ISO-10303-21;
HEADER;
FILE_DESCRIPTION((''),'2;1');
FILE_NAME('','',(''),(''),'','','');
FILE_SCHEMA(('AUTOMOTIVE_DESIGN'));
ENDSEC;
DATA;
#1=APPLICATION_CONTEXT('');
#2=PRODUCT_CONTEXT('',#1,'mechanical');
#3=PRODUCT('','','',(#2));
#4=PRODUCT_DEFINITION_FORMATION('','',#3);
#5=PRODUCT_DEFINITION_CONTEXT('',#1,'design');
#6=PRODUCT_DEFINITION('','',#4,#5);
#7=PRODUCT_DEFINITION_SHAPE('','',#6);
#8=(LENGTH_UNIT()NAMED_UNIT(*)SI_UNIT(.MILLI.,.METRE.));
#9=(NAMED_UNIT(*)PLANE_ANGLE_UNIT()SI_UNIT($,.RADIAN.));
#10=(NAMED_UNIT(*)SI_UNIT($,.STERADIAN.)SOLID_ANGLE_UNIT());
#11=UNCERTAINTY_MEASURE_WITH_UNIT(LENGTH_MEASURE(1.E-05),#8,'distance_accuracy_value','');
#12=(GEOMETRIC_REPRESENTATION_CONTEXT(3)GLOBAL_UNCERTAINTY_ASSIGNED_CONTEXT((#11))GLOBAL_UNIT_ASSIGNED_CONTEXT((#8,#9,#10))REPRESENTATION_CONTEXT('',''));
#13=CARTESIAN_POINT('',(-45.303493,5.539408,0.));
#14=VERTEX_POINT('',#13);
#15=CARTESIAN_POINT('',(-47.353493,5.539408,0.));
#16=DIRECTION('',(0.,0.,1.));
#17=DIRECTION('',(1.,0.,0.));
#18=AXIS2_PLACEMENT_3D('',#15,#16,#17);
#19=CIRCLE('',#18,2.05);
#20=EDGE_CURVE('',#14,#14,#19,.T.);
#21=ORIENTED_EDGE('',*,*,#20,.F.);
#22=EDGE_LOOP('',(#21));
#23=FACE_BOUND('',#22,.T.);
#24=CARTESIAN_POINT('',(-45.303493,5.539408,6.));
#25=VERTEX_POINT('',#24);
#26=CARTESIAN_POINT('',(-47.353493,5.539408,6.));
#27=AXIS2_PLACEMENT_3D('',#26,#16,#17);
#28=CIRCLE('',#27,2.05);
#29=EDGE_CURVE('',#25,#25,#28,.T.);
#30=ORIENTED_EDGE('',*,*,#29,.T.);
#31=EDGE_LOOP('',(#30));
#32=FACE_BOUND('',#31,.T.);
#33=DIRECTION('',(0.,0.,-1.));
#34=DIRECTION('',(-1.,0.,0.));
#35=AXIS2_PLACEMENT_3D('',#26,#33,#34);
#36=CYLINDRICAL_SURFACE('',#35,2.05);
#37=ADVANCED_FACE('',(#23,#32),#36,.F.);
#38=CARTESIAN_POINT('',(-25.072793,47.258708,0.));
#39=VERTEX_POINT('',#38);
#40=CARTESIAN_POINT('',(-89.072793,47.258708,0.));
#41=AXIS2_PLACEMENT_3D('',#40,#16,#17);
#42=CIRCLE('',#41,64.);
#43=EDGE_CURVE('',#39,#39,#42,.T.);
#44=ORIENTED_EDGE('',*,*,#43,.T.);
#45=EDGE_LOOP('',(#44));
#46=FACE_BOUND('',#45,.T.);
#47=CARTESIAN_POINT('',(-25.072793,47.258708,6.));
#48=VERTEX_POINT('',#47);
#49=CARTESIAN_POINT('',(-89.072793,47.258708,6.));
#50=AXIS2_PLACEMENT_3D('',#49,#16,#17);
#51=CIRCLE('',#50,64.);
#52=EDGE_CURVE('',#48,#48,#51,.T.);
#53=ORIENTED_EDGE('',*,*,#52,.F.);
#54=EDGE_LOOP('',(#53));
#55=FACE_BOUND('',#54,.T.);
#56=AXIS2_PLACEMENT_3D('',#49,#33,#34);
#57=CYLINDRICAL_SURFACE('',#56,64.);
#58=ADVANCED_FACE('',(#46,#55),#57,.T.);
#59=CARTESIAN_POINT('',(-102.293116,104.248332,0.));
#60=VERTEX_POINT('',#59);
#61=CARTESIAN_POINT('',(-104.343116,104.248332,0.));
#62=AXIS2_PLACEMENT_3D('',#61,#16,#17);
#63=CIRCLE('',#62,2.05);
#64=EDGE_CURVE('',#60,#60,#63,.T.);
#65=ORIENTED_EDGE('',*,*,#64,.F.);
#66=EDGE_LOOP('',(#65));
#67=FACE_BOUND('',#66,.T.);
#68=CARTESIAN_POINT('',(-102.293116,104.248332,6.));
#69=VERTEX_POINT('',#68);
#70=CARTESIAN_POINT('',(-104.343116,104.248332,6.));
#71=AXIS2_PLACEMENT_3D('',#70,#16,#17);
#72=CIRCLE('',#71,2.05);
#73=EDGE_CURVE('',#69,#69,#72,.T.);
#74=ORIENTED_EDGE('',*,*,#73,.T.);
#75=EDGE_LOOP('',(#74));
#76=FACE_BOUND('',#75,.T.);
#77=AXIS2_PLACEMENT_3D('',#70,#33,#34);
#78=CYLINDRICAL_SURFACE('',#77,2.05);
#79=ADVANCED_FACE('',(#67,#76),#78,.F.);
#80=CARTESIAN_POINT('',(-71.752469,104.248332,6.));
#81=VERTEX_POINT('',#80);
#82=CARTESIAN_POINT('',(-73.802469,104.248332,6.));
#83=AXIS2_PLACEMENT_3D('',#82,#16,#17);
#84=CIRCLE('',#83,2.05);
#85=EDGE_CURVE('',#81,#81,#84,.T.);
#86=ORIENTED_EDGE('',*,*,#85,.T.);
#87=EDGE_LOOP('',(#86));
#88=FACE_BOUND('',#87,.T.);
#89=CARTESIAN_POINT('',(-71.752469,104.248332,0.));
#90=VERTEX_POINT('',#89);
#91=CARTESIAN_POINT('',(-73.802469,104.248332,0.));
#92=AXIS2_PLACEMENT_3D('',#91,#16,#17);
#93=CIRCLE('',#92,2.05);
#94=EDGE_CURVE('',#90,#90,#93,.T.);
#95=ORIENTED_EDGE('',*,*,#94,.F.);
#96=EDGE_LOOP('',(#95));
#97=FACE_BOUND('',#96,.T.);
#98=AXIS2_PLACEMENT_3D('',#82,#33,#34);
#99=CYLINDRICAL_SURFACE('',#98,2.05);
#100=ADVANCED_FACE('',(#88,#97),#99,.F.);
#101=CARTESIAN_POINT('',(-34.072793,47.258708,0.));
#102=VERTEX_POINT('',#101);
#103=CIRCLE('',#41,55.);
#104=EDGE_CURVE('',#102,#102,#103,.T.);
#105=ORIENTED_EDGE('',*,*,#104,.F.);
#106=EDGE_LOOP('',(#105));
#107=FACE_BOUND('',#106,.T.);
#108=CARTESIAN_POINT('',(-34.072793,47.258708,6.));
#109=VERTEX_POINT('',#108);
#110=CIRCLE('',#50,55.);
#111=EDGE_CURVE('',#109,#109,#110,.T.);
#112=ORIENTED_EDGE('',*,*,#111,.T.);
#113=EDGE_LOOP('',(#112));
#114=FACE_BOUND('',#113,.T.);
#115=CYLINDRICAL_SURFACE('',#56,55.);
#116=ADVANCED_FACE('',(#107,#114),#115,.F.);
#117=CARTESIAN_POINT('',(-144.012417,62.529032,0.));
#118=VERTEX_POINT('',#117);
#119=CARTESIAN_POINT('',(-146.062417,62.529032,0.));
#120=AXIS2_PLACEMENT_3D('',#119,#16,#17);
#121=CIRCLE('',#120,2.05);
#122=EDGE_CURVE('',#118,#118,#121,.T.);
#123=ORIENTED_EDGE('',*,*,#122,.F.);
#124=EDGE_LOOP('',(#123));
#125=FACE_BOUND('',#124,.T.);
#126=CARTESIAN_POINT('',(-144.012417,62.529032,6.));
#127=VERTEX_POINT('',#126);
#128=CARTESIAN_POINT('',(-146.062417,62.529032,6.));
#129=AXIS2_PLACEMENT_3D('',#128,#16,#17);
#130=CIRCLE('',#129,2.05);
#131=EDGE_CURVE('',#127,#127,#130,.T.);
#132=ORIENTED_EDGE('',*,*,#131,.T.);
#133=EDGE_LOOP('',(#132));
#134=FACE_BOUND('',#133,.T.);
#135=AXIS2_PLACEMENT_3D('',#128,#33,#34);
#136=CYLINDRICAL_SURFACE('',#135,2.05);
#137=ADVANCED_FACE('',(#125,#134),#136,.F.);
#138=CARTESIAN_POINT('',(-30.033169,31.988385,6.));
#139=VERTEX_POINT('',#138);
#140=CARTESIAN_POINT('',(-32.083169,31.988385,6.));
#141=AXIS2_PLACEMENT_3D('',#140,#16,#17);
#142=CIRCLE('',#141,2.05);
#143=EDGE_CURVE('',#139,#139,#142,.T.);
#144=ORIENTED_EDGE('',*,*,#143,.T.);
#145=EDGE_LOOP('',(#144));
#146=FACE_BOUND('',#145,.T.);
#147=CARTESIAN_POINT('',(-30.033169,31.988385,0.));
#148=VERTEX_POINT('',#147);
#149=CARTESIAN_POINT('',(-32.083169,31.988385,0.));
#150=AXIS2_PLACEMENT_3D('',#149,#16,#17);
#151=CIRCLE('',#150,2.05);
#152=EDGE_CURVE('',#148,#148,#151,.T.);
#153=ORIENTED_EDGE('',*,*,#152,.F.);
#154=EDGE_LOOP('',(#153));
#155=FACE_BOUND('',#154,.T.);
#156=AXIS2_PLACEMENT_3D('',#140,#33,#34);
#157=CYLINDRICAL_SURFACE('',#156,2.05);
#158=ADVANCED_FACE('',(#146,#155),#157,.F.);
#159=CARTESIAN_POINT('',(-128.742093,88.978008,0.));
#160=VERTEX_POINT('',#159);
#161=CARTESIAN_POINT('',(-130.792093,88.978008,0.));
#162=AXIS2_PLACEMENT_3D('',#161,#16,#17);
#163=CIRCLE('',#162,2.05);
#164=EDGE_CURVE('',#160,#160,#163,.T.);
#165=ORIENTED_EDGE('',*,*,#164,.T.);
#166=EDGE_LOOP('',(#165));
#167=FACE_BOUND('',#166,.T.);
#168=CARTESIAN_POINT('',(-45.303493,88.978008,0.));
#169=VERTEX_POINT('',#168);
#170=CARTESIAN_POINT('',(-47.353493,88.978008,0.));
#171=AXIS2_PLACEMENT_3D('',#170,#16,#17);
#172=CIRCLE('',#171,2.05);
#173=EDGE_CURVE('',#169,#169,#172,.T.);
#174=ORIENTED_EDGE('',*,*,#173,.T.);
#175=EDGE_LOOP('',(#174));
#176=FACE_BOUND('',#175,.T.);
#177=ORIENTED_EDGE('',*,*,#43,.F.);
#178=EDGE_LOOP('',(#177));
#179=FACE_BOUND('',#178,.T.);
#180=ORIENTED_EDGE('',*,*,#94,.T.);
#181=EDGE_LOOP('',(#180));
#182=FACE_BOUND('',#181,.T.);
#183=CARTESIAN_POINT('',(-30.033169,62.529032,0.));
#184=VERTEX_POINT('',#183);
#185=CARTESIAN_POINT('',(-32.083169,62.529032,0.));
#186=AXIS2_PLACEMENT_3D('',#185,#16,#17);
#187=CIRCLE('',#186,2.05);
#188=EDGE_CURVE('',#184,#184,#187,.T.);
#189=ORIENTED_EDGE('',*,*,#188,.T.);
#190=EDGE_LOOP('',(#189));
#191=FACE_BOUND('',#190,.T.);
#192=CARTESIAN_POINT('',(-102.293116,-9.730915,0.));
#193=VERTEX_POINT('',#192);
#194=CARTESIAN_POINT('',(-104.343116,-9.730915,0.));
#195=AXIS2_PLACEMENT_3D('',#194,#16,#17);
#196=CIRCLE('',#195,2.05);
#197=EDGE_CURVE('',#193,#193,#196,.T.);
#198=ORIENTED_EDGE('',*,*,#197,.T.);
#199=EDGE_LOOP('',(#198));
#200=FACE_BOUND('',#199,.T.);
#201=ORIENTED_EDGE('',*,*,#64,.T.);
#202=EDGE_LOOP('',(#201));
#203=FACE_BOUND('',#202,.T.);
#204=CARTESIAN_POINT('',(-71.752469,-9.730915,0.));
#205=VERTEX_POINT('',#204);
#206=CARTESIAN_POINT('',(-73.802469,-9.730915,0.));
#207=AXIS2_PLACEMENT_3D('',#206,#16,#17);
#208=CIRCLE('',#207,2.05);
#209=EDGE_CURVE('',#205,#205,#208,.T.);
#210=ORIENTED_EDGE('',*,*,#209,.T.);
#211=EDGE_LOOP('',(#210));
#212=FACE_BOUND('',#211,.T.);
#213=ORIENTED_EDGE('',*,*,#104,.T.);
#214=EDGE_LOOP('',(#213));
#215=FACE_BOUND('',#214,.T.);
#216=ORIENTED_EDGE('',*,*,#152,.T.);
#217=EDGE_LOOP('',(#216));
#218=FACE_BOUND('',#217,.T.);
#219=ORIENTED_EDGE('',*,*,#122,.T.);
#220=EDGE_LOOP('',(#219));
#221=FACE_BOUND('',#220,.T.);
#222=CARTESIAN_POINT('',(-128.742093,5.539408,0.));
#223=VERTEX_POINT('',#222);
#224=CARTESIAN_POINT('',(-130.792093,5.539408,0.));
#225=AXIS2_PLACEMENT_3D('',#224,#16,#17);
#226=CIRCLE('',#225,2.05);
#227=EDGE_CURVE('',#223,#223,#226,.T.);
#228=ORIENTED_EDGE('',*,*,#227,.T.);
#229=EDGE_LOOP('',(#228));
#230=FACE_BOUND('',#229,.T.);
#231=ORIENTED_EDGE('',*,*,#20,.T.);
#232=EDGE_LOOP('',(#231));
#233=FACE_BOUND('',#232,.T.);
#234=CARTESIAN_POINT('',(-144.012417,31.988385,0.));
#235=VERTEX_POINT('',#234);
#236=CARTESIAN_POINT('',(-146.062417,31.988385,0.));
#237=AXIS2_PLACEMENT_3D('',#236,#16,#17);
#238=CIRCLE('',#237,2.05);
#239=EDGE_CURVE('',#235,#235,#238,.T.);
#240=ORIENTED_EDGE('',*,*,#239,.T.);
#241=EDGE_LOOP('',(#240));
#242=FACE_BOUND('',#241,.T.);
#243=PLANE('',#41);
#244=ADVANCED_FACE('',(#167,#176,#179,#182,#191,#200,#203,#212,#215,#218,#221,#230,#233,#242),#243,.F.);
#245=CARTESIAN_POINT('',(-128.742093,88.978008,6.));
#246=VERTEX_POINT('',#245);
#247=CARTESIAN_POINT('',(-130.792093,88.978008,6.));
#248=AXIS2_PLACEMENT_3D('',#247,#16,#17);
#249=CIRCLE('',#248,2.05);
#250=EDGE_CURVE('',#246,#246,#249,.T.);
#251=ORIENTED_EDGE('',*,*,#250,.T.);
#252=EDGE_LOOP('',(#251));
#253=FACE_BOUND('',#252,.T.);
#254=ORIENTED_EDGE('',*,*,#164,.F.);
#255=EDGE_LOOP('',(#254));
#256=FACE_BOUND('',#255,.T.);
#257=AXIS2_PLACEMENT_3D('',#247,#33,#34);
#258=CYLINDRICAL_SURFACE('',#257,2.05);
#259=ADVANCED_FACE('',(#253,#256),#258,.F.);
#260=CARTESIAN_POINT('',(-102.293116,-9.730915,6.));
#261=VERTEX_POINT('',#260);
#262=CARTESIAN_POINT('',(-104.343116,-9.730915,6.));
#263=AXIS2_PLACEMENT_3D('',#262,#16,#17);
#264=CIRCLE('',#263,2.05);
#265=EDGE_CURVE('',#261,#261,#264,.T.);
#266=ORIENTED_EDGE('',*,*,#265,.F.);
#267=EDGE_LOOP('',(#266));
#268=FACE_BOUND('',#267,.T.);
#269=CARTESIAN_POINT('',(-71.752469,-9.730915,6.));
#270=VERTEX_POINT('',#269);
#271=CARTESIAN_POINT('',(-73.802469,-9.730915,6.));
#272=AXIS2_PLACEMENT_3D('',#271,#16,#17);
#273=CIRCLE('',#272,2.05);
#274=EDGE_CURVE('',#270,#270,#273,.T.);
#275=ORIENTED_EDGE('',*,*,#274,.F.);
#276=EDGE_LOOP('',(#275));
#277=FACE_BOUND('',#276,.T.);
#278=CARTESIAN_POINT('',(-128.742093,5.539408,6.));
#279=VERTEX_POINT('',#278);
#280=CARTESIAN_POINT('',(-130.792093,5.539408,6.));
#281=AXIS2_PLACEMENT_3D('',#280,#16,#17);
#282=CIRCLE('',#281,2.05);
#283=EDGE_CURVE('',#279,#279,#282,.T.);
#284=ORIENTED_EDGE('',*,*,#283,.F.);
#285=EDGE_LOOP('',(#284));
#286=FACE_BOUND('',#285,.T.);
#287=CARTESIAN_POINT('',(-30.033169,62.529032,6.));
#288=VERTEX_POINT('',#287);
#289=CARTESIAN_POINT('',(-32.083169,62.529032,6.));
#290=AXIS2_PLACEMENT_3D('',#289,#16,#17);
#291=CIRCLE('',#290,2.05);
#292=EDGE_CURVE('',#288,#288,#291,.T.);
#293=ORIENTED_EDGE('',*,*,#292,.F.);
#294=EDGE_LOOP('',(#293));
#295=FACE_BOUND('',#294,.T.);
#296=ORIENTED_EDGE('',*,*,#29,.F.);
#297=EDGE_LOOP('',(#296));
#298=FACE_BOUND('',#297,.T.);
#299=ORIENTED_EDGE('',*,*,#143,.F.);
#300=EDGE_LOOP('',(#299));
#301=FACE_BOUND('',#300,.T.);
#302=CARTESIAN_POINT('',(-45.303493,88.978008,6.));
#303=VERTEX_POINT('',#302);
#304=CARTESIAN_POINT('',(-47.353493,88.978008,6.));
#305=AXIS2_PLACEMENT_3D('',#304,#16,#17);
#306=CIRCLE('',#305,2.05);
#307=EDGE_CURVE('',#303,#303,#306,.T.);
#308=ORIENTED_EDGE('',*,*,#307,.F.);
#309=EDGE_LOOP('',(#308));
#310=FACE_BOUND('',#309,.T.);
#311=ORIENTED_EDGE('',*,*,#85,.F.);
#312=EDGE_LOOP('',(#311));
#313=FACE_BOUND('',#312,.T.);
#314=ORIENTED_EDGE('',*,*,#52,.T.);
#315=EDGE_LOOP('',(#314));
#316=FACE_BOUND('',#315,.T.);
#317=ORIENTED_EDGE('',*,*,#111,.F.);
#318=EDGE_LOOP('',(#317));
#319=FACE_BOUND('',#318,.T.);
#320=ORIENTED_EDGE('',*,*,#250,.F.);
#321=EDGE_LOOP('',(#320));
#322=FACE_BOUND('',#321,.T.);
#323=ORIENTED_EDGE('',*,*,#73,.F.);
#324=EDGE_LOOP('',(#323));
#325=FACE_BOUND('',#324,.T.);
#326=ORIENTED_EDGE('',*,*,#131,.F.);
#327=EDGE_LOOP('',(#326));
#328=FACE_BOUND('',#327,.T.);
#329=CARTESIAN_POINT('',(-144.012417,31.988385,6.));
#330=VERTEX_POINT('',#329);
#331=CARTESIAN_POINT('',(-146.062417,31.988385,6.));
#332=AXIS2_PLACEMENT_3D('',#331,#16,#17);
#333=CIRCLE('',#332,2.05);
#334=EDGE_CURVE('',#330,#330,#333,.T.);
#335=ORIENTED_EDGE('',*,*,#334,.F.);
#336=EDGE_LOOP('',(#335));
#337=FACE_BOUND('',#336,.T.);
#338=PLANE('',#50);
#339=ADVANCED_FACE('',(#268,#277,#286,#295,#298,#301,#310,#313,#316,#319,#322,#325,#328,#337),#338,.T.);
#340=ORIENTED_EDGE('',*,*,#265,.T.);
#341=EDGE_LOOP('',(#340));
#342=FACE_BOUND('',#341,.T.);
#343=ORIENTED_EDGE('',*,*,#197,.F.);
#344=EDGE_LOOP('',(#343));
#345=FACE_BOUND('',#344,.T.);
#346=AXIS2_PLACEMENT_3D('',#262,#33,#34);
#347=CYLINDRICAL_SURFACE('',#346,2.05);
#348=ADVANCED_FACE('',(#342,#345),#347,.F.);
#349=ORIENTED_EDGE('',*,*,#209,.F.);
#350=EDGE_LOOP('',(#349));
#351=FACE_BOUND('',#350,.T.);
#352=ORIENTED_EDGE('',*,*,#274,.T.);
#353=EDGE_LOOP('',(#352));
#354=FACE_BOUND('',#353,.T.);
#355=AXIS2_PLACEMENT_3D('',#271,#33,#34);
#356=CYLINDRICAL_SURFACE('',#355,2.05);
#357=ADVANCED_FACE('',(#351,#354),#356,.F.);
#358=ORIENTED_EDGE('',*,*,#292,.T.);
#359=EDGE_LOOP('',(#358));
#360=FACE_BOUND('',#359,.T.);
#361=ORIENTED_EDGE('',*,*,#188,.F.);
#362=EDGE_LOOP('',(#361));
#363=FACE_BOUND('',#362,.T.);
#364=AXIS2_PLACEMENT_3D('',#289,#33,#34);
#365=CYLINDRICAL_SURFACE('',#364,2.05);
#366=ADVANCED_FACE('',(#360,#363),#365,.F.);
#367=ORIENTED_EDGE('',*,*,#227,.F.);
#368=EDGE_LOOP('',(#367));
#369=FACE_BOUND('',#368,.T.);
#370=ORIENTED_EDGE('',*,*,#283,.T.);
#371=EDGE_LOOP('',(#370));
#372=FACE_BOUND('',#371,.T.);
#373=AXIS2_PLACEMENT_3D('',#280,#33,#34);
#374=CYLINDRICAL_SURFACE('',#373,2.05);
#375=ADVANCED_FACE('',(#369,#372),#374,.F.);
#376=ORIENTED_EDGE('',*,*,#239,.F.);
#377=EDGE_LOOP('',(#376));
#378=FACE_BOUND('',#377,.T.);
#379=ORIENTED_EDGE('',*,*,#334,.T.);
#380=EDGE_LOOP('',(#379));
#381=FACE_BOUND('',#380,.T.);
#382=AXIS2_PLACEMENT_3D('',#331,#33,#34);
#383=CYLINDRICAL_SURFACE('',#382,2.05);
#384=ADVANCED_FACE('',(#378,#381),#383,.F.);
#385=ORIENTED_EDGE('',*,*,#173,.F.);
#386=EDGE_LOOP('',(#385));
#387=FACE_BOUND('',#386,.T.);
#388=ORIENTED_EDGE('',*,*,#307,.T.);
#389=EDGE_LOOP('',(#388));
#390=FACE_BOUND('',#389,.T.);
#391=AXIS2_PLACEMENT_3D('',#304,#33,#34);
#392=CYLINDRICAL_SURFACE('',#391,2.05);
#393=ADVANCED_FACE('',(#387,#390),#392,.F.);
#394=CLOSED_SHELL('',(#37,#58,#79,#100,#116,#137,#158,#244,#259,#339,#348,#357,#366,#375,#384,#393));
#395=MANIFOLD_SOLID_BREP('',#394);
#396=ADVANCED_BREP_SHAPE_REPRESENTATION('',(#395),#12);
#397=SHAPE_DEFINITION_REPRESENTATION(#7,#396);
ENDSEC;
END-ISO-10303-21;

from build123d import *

# Parameters (mm, degrees)
SKETCH1_R           = 64
SKETCH1_R_2         = 55
SKETCH1_R_3         = 2.05
BOSS_EXTRUDE1_DEPTH = 6


with BuildPart() as part:
    # Sketch1 → Boss-Extrude1 (new body)
    with BuildSketch(Plane.XY):
        with Locations((-89.072792821, 47.25870832)):
            Circle(SKETCH1_R)
        with Locations((-89.072792821, 47.25870832)):
            Circle(SKETCH1_R_2, mode=Mode.SUBTRACT)
        with Locations((-32.08316907, 62.529031982)):
            Circle(SKETCH1_R_3, mode=Mode.SUBTRACT)
        with Locations((-32.08316907, 31.988384659)):
            Circle(SKETCH1_R_3, mode=Mode.SUBTRACT)
        with Locations((-47.353492731, 5.53940823)):
            Circle(SKETCH1_R_3, mode=Mode.SUBTRACT)
        with Locations((-73.80246916, -9.730915431)):
            Circle(SKETCH1_R_3, mode=Mode.SUBTRACT)
        with Locations((-104.343116482, -9.730915431)):
            Circle(SKETCH1_R_3, mode=Mode.SUBTRACT)
        with Locations((-130.792092911, 5.53940823)):
            Circle(SKETCH1_R_3, mode=Mode.SUBTRACT)
        with Locations((-146.062416572, 31.988384659)):
            Circle(SKETCH1_R_3, mode=Mode.SUBTRACT)
        with Locations((-146.062416572, 62.529031982)):
            Circle(SKETCH1_R_3, mode=Mode.SUBTRACT)
        with Locations((-130.792092911, 88.978008411)):
            Circle(SKETCH1_R_3, mode=Mode.SUBTRACT)
        with Locations((-104.343116482, 104.248332072)):
            Circle(SKETCH1_R_3, mode=Mode.SUBTRACT)
        with Locations((-73.80246916, 104.248332072)):
            Circle(SKETCH1_R_3, mode=Mode.SUBTRACT)
        with Locations((-47.353492731, 88.978008411)):
            Circle(SKETCH1_R_3, mode=Mode.SUBTRACT)
    extrude(amount=BOSS_EXTRUDE1_DEPTH)


solid = part.part
